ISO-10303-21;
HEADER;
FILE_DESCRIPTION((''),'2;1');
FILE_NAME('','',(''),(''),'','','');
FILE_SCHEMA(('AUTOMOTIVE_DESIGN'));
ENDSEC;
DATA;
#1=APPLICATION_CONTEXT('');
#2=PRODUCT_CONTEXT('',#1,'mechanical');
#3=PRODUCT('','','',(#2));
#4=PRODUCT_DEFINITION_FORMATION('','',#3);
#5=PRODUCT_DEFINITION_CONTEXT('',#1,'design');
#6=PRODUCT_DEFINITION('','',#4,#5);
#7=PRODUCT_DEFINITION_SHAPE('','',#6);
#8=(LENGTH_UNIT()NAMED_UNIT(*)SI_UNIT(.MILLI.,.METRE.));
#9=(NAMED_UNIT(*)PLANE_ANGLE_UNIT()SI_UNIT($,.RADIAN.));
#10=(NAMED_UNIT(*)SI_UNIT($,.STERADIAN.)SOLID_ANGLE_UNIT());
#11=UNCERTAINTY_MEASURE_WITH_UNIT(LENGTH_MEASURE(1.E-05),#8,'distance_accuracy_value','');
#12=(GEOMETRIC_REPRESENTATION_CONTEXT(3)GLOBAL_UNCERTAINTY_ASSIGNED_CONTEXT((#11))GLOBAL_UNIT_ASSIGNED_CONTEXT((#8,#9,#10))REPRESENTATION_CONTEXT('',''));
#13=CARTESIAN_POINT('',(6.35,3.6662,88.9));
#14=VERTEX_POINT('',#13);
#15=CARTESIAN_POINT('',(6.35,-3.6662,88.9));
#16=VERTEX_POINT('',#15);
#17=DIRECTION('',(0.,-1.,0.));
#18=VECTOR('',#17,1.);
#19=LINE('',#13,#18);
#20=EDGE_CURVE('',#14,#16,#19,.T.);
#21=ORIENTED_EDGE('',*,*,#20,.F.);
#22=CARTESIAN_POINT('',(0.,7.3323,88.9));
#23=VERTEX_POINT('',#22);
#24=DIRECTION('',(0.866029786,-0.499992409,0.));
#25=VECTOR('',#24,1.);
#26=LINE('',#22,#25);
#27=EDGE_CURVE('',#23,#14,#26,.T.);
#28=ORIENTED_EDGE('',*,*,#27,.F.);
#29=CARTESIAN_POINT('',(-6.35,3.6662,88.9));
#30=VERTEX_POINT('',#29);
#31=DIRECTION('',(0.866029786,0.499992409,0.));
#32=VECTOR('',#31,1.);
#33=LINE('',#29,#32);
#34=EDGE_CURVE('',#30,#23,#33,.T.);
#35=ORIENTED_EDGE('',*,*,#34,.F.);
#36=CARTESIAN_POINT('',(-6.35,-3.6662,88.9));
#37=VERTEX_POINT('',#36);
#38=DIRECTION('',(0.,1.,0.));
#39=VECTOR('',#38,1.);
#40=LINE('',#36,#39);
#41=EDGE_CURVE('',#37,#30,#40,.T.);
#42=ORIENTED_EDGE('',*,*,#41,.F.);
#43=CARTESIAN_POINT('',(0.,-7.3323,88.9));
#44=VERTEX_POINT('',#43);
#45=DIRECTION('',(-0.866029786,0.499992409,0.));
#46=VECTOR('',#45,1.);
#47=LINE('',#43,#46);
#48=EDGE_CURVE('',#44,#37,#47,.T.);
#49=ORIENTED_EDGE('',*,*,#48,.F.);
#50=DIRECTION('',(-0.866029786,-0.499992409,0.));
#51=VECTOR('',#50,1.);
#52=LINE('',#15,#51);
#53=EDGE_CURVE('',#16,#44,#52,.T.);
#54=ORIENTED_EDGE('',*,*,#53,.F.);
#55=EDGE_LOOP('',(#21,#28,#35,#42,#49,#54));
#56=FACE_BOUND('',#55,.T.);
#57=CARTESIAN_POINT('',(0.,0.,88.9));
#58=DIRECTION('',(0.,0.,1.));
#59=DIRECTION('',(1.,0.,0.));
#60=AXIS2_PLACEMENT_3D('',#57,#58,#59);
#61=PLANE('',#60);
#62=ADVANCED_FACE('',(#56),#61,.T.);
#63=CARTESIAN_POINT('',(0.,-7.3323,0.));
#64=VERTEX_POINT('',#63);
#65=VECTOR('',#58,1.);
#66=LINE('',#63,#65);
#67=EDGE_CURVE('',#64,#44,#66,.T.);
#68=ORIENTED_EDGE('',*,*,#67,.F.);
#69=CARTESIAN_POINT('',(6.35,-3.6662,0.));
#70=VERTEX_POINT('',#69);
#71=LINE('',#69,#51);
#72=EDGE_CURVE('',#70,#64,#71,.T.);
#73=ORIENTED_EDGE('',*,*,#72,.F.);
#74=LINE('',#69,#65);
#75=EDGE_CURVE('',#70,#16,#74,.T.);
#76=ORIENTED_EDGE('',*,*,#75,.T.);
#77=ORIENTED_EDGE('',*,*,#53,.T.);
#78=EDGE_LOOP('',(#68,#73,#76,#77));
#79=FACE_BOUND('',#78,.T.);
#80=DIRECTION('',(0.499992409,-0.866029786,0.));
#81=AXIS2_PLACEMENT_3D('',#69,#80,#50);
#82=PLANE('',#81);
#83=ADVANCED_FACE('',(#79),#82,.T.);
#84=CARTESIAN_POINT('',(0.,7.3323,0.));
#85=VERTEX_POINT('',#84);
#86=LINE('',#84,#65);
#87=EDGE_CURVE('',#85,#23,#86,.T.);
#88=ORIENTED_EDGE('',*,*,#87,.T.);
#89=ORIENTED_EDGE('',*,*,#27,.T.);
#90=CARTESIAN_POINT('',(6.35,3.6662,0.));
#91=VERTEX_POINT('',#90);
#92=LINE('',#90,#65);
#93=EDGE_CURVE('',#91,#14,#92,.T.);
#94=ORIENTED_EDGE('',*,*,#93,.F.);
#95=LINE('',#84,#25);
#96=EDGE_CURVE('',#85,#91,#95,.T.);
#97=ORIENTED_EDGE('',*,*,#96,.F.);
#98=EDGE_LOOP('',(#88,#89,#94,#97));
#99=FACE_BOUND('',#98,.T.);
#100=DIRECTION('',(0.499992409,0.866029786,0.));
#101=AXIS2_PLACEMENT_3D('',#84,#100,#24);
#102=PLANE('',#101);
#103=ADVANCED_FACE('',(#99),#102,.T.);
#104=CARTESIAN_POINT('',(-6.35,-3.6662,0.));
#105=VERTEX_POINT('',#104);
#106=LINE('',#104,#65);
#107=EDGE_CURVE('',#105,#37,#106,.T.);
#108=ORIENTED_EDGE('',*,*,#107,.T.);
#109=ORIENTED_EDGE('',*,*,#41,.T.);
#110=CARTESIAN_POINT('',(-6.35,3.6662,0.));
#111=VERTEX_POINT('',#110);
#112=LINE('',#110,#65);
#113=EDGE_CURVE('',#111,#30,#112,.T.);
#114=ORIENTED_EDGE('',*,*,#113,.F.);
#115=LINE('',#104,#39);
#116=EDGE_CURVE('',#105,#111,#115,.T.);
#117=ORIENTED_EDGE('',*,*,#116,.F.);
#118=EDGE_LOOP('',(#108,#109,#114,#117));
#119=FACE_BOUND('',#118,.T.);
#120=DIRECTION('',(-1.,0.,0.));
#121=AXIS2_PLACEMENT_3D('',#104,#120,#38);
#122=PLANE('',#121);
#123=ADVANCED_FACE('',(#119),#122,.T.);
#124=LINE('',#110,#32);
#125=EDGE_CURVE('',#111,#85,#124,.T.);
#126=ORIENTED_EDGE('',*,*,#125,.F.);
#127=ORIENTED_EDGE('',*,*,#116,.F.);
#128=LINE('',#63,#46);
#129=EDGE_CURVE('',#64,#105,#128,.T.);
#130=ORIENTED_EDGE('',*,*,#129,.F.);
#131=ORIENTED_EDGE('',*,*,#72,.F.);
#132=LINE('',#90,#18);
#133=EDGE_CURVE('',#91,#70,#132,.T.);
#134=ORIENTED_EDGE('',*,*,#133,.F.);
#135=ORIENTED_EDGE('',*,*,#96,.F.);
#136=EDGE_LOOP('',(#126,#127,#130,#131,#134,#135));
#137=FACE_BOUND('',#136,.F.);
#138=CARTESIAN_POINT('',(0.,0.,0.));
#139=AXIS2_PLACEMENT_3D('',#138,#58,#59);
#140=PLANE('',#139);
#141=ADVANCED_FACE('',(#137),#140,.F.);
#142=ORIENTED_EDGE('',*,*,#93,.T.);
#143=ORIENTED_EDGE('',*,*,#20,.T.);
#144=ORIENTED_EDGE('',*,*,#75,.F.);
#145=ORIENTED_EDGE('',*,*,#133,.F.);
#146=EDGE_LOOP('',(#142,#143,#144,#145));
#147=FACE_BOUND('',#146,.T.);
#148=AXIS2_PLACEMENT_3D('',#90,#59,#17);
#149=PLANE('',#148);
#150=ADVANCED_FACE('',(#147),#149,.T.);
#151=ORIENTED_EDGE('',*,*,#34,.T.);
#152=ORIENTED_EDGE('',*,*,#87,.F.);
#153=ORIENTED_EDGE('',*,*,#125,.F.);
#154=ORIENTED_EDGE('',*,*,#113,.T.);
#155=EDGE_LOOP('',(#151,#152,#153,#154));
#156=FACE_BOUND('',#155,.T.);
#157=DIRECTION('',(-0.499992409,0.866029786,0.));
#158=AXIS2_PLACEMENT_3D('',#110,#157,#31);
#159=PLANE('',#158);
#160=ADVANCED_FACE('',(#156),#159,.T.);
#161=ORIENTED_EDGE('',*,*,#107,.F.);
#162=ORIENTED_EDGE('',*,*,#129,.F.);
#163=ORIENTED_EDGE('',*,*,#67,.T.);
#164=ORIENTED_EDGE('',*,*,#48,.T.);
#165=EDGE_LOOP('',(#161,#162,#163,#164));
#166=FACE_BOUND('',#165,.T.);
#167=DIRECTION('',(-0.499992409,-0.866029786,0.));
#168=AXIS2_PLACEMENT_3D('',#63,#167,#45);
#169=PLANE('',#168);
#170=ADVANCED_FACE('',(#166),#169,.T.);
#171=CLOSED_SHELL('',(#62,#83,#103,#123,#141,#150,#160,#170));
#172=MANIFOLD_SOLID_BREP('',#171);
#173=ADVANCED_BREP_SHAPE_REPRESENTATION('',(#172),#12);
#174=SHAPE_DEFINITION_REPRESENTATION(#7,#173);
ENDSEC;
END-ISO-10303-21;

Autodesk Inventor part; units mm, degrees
ref_plane "YZ Plane" through (0, 0, 0) normal (1, 0, 0) x (0, 1, 0)
ref_plane "XZ Plane" through (0, 0, 0) normal (0, 1, 0) x (-1, 0, 0)
ref_plane "XY Plane" through (0, 0, 0) normal (0, 0, 1) x (1, 0, 0)
sketch "Sketch1" plane through (0, 0, 0) normal (0, 0, 1) x (1, 0, 0)
  line L0 (0, 7.3323) -> (6.35, 3.6662)
  line L1 (6.35, 3.6662) -> (6.35, -3.6662)
  line L2 (6.35, -3.6662) -> (0, -7.3323)
  line L3 (0, -7.3323) -> (-6.35, -3.6662)
  line L4 (-6.35, -3.6662) -> (-6.35, 3.6662)
  line L5 (-6.35, 3.6662) -> (0, 7.3323)
  point P0 (0, 0)
  point P1 (0, 0)
  dimension "d0" = 12.7
extrude "Extrusion1" add sketch "Sketch1" along normal blind 88.9
properties part number "half inch hex axle2"
